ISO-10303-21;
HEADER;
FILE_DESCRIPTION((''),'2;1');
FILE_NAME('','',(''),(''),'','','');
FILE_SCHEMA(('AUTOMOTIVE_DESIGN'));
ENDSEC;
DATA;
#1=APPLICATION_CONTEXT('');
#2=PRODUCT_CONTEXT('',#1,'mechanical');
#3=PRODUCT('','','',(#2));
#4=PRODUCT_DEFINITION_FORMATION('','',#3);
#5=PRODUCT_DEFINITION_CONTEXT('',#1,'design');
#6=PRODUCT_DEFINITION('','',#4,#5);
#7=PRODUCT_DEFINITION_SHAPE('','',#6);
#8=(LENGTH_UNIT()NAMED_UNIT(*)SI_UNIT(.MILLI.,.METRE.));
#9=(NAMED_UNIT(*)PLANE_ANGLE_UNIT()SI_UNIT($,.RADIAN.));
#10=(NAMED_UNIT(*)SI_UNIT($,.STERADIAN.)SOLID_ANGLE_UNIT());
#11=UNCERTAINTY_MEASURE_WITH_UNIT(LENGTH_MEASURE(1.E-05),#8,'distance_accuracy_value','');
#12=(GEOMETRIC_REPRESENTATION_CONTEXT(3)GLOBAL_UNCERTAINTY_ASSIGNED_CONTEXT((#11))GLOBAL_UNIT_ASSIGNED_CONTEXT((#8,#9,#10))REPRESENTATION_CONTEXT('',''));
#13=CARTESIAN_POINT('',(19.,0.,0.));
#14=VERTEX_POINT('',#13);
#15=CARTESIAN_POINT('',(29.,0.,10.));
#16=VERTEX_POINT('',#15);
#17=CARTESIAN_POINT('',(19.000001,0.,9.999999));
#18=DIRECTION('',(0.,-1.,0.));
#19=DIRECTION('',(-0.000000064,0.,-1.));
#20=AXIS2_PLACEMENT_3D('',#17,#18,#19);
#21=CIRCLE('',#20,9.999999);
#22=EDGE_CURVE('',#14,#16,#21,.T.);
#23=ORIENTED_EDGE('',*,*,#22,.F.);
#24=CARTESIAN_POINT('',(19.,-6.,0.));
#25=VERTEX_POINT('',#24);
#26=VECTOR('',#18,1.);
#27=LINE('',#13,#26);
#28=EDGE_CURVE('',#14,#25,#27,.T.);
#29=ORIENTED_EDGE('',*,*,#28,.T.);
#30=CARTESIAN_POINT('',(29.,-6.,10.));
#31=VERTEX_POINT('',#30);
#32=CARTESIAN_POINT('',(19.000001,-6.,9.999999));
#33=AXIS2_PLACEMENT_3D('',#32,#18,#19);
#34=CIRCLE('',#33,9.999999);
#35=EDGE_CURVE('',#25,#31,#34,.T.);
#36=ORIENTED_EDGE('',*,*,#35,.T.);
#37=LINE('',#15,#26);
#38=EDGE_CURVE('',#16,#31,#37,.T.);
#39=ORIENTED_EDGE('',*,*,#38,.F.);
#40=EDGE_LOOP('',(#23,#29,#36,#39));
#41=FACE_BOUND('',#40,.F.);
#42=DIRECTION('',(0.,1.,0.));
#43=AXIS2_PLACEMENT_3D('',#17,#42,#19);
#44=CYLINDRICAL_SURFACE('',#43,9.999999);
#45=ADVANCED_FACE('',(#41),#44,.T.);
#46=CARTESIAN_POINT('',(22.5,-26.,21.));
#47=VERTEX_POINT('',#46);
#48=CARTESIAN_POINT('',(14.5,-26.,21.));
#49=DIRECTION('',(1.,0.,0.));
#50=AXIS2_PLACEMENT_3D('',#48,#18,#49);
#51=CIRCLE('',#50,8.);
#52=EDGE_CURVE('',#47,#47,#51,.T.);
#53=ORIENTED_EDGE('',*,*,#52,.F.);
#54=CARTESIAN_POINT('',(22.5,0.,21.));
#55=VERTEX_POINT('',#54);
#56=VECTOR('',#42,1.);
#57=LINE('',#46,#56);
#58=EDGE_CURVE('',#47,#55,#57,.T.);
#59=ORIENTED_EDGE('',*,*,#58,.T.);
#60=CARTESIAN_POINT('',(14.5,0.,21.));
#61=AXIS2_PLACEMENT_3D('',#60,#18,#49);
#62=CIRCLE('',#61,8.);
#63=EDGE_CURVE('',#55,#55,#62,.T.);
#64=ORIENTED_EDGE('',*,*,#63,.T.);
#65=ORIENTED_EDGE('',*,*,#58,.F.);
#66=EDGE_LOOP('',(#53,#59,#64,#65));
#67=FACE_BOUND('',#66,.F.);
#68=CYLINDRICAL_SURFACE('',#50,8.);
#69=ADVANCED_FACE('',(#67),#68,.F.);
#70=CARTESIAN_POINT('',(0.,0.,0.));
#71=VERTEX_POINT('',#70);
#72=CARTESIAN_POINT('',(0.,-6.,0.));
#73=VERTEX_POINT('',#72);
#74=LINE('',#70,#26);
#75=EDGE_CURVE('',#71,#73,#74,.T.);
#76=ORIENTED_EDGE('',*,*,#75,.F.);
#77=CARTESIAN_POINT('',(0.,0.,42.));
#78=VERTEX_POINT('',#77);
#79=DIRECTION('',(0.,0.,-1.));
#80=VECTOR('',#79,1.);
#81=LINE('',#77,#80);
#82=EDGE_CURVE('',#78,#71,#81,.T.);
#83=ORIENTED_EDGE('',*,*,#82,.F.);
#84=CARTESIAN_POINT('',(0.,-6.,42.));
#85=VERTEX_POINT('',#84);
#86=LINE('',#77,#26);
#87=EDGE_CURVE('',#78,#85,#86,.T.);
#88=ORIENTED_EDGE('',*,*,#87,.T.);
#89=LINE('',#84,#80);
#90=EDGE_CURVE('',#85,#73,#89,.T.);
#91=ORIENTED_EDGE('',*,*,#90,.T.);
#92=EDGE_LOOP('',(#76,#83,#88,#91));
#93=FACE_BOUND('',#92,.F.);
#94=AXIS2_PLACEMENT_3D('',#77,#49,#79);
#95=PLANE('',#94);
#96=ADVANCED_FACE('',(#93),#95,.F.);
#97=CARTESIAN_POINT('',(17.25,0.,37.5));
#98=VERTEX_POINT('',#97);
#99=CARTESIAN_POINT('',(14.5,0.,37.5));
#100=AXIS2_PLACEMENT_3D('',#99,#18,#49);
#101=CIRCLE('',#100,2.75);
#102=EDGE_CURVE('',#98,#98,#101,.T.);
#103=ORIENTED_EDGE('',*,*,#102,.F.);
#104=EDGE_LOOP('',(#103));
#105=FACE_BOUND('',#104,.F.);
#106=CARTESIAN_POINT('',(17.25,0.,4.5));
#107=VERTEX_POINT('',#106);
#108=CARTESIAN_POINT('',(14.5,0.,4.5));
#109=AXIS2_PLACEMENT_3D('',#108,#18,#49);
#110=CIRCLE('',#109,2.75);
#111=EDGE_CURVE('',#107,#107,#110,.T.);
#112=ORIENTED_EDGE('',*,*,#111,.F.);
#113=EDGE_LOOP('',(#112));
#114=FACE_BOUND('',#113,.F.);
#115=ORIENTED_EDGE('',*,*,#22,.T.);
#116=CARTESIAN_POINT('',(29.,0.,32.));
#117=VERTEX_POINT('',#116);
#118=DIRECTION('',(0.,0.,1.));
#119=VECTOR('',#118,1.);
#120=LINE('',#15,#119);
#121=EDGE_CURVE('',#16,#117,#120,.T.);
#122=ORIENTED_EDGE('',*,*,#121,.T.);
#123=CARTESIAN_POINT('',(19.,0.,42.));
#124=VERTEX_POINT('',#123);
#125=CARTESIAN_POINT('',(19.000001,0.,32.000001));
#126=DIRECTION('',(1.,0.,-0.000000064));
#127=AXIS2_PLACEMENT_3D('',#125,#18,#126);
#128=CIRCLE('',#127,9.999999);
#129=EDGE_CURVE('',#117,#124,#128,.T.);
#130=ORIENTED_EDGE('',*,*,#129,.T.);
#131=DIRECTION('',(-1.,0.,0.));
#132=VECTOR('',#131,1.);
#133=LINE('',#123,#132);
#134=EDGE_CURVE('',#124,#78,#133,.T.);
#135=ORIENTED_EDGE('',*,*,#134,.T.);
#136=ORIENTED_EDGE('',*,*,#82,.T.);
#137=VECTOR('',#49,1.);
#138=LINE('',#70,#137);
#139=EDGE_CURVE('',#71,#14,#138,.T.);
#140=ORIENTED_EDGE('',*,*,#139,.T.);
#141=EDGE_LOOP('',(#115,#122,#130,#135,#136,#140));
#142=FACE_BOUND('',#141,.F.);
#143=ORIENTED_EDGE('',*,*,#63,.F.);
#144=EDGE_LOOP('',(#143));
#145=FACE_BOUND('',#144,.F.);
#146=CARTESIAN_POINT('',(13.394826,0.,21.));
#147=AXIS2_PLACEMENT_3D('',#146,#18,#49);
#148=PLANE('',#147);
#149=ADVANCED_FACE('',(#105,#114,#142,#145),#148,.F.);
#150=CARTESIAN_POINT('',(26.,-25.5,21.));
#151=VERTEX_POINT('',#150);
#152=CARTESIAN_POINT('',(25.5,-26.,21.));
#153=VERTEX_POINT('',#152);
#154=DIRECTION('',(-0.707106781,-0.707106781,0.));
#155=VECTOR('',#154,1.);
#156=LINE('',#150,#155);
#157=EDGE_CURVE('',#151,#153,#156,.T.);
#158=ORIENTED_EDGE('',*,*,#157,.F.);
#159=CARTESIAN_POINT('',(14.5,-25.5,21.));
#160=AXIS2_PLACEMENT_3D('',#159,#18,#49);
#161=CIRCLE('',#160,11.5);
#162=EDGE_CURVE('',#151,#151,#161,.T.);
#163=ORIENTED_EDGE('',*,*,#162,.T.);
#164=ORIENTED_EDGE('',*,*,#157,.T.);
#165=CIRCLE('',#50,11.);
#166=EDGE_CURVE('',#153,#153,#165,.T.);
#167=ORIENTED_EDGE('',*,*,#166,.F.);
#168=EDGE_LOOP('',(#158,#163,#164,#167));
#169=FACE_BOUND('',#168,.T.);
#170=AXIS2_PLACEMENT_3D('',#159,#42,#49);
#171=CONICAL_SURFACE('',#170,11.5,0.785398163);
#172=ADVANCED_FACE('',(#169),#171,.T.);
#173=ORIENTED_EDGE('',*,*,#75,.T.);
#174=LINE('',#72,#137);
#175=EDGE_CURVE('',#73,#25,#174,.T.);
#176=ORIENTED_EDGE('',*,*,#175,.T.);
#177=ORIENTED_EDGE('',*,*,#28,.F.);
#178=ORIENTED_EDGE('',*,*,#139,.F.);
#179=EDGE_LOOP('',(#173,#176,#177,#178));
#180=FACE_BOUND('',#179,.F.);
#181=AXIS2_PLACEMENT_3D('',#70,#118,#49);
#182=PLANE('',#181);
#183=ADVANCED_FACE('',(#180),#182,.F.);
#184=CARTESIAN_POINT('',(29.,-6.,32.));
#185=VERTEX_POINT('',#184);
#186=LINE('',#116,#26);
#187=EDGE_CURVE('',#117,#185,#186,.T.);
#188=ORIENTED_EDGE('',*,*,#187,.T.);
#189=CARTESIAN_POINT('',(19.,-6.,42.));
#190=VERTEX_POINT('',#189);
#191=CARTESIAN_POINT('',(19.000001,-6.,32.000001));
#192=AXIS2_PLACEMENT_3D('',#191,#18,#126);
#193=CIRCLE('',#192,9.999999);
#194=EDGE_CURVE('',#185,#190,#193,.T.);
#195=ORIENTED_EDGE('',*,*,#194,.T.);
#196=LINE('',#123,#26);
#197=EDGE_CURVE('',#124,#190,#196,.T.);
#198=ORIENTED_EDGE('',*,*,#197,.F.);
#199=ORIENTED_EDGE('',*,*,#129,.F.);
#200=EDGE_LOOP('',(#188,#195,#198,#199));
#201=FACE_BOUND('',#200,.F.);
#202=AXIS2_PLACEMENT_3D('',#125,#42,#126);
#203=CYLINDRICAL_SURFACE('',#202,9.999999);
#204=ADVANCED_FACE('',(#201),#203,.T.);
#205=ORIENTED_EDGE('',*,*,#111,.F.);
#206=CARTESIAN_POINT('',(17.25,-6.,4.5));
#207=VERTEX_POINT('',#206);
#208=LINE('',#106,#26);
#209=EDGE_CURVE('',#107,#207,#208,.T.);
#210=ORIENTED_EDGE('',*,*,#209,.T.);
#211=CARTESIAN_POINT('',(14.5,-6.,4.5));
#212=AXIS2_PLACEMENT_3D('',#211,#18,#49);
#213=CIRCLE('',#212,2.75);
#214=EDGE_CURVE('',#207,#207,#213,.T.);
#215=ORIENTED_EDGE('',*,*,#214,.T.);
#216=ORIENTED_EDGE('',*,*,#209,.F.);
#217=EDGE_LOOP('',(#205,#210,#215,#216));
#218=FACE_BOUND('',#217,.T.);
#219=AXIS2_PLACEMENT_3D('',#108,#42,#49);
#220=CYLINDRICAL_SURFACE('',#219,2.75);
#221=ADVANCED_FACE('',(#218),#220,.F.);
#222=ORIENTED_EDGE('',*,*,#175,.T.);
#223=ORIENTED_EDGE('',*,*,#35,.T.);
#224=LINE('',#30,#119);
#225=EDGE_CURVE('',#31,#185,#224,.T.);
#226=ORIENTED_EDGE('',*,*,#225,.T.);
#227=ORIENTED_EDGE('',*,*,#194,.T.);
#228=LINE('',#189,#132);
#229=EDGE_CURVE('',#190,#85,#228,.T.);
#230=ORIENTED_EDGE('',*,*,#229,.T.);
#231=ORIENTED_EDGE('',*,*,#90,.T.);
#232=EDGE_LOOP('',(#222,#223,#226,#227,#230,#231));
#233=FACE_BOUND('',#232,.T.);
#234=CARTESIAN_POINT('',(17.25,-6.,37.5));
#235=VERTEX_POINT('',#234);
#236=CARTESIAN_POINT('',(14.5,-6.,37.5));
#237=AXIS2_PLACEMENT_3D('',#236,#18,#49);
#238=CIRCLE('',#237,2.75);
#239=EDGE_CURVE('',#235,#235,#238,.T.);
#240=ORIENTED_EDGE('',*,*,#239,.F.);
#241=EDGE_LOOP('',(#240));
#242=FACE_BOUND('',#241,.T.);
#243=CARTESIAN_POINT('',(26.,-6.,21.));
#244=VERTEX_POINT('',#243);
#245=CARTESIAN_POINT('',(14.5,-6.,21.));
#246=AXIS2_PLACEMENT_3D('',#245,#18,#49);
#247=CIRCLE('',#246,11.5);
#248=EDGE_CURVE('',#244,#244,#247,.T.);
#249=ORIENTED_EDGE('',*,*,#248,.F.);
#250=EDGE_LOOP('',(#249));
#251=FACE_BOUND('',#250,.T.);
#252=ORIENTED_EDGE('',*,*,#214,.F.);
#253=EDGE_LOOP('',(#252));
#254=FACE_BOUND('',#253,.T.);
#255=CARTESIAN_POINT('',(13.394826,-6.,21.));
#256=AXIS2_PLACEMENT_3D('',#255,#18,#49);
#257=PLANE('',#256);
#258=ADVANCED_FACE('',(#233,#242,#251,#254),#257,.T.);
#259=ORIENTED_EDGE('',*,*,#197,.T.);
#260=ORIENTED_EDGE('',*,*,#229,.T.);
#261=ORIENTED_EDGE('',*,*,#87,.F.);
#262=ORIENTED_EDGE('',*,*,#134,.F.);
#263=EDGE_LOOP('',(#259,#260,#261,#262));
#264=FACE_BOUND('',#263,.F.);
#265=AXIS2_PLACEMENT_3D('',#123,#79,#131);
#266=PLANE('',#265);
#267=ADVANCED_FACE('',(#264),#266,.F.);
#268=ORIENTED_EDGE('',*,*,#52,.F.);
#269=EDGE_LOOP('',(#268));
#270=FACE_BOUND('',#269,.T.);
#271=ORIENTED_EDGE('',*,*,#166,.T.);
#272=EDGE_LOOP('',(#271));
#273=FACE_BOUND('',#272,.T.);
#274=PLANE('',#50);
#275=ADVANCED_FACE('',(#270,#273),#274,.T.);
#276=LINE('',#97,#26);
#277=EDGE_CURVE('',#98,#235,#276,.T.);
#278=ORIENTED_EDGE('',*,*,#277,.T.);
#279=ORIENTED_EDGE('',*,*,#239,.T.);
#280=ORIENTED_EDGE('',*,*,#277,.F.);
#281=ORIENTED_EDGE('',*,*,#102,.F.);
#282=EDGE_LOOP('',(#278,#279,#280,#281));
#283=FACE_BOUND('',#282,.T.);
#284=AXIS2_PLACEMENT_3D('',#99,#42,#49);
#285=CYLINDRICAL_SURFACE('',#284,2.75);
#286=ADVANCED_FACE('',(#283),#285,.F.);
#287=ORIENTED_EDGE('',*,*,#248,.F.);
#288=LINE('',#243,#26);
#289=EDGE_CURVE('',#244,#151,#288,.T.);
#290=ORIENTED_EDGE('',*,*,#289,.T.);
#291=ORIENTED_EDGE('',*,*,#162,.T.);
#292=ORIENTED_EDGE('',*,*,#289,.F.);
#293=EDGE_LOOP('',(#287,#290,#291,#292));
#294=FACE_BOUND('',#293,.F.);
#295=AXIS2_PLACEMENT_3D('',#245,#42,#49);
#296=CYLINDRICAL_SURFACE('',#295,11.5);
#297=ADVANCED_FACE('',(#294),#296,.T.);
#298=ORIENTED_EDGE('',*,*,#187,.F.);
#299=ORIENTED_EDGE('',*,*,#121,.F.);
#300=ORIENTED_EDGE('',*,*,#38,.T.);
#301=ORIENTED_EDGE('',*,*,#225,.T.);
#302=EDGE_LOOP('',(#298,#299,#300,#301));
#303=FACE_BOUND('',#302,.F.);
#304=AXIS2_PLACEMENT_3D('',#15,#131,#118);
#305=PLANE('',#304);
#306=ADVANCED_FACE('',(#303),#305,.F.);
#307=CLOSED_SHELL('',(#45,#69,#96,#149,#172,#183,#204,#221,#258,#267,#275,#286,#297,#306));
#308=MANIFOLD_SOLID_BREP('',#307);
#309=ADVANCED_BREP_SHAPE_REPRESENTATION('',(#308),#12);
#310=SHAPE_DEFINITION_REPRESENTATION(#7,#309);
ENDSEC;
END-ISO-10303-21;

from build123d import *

# Parameters (mm, degrees)
F0_R     = 2.75
F1_DEPTH = 6
F2_R     = 11.5
F3_DEPTH = 20
F4_R     = 8
F5_DEPTH = 26.001
F6_SIZE  = 0.5


with BuildPart() as f1:
    # F0 (on Front) → F1 (new body)
    with BuildSketch(Plane.XZ):
        with BuildLine():
            Line((0, 42), (0, 0))
            Line((0, 0), (19, 0))
            ThreePointArc((19, 0), (26.071068, 2.928932), (29, 10))
            Line((29, 10), (29, 32))
            ThreePointArc((29, 32), (26.071068, 39.071068), (19, 42))
            Line((19, 42), (0, 42))
        make_face()
        with Locations((14.5, 4.5)):
            Circle(F0_R, mode=Mode.SUBTRACT)
        with Locations((14.5, 37.5)):
            Circle(F0_R, mode=Mode.SUBTRACT)
    extrude(amount=F1_DEPTH)

    # F2 (on face) → F3 (join)
    with BuildSketch(Plane.XZ.offset(6)):
        with Locations((14.5, 21)):
            Circle(F2_R)
    extrude(amount=F3_DEPTH)

    # F4 (on face) → F5 (cut, through all)
    with BuildSketch(Plane.XZ.offset(26)):
        with Locations((14.5, 21)):
            Circle(F4_R)
    extrude(amount=-F5_DEPTH, mode=Mode.SUBTRACT)

    # F6
    f6_edges = [f1.edges().sort_by_distance(p)[0] for p in [
        (3, -26, 21),
    ]]
    chamfer(f6_edges, length=F6_SIZE)


solid = f1.part
